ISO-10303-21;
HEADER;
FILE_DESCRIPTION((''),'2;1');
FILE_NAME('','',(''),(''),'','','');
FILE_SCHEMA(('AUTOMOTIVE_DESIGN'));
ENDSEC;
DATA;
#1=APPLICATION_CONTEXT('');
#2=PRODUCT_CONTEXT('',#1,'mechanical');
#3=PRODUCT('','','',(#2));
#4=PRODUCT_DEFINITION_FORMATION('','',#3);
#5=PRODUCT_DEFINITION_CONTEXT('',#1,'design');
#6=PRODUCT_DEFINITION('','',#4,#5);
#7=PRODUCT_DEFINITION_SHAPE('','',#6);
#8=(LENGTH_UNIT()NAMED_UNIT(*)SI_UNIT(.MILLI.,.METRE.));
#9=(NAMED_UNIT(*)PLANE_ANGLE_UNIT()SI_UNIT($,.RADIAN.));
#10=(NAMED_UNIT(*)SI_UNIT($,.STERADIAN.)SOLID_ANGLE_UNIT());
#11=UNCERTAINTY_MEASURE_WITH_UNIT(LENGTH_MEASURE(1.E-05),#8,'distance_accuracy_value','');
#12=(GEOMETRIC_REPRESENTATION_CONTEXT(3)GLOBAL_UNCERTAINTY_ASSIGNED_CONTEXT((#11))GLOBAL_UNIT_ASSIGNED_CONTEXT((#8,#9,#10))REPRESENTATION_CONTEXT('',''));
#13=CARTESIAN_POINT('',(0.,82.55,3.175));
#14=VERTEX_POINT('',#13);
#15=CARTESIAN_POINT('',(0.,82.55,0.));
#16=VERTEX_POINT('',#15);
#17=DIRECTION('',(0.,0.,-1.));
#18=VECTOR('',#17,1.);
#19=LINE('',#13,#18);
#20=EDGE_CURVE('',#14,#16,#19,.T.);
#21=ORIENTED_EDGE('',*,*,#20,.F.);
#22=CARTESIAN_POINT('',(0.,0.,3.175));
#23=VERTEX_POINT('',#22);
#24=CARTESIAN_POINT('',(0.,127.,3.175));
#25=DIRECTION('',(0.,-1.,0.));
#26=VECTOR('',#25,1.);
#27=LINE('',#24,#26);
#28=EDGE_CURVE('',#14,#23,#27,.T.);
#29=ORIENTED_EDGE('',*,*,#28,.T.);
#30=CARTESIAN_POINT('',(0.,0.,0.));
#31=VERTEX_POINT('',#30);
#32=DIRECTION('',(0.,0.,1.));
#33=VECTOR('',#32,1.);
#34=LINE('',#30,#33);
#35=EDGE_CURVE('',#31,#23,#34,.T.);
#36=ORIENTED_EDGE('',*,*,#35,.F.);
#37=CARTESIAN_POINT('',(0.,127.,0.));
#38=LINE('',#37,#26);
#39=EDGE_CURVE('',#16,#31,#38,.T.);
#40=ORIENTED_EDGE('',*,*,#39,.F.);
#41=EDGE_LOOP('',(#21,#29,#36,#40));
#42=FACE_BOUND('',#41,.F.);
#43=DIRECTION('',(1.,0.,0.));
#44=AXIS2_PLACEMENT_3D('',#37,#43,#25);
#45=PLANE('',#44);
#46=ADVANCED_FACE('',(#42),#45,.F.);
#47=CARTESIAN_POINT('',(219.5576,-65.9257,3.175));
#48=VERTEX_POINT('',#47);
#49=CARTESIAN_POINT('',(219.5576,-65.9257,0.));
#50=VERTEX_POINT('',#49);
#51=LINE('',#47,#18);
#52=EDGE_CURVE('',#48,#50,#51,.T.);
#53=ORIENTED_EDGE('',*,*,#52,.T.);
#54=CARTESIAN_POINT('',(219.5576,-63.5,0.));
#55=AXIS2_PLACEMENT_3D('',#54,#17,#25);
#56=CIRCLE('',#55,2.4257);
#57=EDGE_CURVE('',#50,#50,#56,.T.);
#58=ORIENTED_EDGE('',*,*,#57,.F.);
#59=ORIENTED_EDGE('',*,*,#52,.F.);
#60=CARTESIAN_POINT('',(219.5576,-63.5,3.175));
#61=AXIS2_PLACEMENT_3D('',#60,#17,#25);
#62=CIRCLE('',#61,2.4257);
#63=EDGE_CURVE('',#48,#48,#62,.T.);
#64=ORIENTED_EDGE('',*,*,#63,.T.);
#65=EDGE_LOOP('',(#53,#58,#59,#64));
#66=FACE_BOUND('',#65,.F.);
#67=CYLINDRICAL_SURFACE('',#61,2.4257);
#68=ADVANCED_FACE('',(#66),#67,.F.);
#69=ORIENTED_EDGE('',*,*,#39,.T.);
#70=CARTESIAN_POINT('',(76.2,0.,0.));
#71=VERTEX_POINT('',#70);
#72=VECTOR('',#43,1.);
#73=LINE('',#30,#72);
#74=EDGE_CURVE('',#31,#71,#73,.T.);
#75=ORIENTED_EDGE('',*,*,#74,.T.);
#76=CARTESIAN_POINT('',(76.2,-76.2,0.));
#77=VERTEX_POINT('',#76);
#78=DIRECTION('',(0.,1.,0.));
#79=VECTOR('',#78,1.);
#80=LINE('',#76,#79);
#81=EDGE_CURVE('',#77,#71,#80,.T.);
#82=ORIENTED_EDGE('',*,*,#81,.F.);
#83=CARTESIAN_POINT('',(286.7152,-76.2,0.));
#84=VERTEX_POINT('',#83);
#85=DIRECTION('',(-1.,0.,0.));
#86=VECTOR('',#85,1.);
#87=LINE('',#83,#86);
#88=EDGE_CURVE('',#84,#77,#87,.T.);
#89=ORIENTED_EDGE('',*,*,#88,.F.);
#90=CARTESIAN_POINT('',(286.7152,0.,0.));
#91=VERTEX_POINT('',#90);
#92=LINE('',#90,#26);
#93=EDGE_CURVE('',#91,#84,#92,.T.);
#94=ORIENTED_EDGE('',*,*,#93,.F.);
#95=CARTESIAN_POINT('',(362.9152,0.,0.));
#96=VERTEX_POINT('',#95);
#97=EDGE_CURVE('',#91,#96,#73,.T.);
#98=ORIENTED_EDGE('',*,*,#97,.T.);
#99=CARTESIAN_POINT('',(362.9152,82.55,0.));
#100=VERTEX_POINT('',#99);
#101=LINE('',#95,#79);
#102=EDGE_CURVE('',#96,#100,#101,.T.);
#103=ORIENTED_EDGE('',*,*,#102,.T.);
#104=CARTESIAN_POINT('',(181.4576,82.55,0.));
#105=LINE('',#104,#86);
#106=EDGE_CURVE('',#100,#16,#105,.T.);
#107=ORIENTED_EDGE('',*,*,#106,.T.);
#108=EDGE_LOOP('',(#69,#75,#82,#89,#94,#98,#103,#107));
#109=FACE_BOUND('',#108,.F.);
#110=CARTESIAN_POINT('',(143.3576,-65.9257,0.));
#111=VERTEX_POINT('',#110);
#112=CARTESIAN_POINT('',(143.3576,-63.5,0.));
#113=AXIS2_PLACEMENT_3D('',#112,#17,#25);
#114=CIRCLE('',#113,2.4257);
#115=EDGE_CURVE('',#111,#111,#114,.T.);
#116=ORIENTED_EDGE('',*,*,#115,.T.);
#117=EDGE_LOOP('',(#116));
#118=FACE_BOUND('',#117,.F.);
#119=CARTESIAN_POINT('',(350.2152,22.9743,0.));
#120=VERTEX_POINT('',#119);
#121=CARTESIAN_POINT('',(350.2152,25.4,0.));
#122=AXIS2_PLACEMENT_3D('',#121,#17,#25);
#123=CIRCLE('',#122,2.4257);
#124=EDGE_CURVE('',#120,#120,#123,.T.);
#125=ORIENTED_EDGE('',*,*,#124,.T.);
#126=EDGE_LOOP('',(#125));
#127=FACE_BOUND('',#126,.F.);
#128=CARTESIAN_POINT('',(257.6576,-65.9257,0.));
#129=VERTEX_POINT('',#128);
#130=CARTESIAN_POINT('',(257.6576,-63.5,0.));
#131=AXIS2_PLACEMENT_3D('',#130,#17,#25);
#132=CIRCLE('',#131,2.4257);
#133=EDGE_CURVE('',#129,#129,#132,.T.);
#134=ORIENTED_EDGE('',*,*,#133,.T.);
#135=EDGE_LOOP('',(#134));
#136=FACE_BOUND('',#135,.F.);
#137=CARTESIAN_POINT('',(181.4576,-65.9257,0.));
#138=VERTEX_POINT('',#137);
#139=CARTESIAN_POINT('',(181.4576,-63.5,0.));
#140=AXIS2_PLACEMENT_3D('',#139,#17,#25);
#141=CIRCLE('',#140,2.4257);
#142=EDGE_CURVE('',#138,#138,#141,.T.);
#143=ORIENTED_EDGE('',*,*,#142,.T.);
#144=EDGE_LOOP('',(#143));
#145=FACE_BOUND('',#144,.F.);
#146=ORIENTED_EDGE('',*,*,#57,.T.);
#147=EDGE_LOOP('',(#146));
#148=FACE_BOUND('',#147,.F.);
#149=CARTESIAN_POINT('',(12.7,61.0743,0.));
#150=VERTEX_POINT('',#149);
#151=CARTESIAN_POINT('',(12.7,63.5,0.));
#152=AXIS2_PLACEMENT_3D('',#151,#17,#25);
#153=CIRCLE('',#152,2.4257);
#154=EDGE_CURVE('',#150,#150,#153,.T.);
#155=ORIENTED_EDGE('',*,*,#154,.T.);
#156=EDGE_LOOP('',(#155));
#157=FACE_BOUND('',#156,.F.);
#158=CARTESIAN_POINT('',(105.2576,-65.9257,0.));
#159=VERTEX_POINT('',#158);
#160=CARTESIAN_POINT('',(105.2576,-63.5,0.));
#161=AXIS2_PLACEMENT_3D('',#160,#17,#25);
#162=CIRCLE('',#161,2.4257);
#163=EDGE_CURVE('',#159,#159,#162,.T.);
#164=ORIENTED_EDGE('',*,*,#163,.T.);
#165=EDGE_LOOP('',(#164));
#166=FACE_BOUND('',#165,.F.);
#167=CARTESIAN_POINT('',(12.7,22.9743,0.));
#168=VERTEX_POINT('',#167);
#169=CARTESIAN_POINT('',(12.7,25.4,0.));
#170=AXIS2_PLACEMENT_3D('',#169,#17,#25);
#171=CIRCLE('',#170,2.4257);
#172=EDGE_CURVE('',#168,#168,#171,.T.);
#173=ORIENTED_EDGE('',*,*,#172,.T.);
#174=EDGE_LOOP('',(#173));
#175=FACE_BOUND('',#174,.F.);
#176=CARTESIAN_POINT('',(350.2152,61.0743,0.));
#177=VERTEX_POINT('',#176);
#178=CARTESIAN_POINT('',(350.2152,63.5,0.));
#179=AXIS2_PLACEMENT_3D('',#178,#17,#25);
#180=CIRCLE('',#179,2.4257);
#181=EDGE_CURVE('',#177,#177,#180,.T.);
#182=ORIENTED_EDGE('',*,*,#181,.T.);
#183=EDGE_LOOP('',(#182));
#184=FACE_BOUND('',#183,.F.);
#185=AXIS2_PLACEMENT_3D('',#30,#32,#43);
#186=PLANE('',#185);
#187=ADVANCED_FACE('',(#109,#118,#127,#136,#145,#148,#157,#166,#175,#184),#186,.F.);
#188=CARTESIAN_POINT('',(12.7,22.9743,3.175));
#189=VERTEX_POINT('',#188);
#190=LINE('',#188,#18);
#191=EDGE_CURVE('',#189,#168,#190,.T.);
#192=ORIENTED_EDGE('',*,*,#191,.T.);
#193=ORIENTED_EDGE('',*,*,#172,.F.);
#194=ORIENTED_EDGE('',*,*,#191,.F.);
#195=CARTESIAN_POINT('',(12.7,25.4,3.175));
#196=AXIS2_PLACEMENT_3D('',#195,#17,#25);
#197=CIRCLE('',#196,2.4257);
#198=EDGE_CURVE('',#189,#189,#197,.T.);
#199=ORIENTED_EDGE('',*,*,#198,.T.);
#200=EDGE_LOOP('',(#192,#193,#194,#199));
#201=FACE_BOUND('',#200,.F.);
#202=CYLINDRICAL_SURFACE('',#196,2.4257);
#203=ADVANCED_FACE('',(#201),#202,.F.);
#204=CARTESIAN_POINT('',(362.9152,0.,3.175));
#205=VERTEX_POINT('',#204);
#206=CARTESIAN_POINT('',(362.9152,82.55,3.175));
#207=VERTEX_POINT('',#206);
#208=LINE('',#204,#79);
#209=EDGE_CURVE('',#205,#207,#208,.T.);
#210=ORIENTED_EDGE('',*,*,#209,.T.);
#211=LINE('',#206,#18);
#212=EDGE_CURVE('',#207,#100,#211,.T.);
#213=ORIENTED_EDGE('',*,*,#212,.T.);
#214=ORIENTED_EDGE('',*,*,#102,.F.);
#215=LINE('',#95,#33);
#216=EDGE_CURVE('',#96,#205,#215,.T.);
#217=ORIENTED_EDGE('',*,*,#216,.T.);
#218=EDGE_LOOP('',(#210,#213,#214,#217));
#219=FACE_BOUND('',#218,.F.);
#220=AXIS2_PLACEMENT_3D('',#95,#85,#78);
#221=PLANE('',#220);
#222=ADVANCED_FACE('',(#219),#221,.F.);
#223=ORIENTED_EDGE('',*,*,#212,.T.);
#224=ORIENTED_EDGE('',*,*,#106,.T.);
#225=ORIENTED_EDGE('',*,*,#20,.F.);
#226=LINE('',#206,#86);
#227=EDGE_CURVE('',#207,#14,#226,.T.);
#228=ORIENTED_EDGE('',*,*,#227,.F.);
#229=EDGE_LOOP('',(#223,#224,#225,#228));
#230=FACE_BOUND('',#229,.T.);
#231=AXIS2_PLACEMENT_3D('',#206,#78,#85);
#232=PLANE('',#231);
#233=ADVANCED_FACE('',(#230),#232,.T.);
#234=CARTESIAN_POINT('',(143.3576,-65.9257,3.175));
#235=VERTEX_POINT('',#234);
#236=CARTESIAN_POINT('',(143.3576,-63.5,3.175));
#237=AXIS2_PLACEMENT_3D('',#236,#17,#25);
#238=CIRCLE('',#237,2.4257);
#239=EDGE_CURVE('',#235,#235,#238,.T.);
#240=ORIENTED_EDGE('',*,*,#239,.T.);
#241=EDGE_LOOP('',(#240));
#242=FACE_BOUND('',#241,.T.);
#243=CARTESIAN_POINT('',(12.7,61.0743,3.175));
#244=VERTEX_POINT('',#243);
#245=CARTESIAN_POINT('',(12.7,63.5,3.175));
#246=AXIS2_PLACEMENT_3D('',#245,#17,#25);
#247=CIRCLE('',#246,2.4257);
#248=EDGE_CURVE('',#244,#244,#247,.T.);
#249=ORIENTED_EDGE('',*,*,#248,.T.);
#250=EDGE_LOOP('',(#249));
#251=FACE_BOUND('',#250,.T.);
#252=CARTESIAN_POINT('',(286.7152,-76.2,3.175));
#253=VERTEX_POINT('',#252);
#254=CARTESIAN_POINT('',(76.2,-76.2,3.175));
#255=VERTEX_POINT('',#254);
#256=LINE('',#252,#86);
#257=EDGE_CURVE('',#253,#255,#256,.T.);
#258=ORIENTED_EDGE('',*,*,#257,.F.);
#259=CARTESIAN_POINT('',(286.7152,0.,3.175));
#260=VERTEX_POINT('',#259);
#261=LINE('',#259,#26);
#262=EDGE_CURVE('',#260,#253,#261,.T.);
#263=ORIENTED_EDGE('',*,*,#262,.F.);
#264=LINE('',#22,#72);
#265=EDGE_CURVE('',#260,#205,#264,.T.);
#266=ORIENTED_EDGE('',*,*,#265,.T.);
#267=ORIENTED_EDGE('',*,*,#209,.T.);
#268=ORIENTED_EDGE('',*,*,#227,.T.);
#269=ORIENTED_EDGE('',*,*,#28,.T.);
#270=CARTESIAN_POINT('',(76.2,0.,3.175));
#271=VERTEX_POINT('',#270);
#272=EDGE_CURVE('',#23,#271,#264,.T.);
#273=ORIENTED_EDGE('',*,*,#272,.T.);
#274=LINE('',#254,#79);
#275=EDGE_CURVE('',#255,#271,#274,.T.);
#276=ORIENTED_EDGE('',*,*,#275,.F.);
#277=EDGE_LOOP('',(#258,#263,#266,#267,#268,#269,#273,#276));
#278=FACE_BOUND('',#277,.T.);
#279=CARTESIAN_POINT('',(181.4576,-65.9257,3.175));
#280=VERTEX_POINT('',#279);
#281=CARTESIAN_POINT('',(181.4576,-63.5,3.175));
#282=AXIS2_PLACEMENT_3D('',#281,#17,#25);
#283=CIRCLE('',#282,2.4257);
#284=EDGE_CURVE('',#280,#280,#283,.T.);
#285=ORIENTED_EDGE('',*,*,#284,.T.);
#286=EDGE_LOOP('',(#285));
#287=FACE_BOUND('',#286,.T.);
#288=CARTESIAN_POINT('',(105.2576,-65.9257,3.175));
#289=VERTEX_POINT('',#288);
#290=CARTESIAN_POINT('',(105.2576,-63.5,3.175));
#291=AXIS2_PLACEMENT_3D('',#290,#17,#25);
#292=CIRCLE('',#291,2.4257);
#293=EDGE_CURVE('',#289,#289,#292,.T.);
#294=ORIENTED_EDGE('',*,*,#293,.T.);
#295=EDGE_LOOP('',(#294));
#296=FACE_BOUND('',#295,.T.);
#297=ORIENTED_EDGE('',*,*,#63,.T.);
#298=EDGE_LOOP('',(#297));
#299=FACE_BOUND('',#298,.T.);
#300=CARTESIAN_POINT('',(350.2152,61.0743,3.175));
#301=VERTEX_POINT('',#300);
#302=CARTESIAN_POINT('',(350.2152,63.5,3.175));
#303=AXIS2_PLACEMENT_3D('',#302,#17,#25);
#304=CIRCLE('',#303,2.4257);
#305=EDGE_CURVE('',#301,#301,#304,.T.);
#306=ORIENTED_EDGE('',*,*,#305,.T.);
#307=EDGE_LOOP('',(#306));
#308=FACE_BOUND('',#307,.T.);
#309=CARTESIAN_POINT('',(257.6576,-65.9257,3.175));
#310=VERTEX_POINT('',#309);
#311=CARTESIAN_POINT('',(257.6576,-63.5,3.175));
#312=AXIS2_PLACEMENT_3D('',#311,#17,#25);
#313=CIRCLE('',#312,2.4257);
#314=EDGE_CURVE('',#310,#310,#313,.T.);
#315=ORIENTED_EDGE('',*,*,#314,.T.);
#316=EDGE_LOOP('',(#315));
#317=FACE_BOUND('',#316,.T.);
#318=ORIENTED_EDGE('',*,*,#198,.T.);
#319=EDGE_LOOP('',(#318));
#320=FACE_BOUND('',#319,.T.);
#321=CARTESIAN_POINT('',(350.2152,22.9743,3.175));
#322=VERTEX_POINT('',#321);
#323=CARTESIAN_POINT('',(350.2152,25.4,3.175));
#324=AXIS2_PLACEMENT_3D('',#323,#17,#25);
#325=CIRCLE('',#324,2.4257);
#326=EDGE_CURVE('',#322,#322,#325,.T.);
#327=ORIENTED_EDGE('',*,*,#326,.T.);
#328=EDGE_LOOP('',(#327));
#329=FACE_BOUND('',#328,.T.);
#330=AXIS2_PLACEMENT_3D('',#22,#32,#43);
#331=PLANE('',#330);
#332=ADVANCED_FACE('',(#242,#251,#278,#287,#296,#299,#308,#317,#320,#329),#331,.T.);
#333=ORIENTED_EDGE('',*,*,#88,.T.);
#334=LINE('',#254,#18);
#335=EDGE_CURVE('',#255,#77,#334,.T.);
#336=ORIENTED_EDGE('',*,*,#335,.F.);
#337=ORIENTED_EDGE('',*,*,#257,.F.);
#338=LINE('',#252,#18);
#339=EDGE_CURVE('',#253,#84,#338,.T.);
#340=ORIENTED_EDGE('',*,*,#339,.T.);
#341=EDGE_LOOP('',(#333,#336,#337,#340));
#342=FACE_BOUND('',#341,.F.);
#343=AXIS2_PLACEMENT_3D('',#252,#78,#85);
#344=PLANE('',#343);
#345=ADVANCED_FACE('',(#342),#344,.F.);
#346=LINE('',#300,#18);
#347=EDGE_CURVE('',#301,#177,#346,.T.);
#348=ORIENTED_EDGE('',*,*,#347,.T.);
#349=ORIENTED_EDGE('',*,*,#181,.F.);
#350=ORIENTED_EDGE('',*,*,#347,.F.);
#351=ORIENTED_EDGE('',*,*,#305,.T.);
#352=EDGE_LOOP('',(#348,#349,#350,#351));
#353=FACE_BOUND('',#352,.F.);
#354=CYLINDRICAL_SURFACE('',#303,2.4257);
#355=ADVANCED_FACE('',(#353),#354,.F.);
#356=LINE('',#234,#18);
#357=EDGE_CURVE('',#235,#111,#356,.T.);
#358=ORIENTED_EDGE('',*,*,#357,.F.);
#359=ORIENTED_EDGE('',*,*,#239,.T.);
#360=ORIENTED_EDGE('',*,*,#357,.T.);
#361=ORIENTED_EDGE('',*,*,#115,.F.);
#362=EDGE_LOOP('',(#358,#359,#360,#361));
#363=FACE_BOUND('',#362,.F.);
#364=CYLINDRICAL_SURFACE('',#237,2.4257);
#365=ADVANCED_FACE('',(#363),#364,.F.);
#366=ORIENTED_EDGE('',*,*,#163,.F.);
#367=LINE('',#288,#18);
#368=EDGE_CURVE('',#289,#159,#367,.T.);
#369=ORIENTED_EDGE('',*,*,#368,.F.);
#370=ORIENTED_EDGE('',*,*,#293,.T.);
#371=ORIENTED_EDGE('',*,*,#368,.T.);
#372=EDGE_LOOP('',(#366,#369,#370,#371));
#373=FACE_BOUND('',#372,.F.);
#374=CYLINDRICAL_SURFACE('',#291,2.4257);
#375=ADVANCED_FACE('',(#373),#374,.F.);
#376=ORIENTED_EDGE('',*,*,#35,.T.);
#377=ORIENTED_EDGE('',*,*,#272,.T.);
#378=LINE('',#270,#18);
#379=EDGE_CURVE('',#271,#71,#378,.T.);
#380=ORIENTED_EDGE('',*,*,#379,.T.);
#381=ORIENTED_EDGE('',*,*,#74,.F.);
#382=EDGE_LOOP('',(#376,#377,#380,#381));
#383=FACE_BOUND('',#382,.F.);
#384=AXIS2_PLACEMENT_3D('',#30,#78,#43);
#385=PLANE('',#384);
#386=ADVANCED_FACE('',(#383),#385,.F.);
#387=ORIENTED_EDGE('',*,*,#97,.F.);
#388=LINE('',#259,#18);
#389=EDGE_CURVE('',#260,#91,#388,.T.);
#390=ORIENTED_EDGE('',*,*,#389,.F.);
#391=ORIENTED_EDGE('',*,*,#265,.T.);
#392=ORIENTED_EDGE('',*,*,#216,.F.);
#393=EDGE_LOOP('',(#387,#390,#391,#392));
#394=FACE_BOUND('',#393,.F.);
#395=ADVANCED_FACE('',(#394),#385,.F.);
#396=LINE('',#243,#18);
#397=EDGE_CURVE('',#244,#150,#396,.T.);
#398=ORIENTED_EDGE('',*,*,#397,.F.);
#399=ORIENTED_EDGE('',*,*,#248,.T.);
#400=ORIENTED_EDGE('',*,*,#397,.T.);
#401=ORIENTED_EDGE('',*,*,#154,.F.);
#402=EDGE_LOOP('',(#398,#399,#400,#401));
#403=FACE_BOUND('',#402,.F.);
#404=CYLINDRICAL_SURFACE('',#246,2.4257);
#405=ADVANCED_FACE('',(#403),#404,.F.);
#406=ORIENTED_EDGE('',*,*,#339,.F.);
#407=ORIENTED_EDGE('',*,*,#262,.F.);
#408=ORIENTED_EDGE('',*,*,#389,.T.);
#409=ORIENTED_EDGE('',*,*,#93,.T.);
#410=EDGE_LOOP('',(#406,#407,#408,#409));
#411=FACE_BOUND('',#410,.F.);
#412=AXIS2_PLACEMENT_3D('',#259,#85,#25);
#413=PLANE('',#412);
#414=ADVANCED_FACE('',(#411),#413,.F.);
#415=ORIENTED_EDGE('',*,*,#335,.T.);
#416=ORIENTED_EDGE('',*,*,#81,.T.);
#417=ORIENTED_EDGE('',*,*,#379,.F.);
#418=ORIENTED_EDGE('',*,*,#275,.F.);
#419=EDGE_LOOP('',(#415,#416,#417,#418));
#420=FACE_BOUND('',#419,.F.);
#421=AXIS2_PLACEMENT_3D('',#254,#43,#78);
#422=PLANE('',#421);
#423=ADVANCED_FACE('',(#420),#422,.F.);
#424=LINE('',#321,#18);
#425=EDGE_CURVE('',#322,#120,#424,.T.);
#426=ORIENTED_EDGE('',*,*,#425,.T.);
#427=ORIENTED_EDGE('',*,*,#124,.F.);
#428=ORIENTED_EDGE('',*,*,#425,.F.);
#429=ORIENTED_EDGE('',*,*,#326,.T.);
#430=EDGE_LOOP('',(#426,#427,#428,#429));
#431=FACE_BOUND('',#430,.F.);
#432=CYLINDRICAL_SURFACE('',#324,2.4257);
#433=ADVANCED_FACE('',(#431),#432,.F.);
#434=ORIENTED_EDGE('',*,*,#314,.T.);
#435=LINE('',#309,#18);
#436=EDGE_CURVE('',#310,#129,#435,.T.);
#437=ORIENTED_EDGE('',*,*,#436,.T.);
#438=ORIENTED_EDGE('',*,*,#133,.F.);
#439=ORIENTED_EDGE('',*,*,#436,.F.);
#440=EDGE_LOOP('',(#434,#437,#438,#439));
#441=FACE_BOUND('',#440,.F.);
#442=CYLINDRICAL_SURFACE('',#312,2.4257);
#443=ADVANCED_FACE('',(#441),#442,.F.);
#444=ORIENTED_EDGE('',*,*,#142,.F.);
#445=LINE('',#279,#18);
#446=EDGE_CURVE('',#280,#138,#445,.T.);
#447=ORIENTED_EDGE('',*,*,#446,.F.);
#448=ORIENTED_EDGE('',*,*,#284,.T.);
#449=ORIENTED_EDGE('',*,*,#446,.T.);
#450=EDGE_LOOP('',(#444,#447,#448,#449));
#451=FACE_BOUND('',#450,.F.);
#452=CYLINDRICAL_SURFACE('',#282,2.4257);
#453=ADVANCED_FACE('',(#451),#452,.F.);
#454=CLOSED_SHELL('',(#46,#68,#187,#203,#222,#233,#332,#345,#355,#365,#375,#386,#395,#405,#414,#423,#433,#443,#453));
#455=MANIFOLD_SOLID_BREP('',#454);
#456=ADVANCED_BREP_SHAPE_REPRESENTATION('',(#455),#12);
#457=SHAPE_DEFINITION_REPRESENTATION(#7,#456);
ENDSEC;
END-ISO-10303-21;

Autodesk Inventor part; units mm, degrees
ref_plane "YZ Plane" through (0, 0, 0) normal (1, 0, 0) x (0, 1, 0)
ref_plane "XZ Plane" through (0, 0, 0) normal (0, 1, 0) x (-1, 0, 0)
ref_plane "XY Plane" through (0, 0, 0) normal (0, 0, 1) x (1, 0, 0)
sketch "Sketch1" plane through (0, 0, 0) normal (0, 0, 1) x (1, 0, 0)
  line L0 (0, 0) -> (362.9152, 0)
  line L1 (362.9152, 0) -> (362.9152, 127)
  line L2 (362.9152, 127) -> (0, 127)
  line L3 (0, 127) -> (0, 0)
  dimension "d0" = 362.9152
  dimension "d1" = 127
extrude "Extrusion1" add sketch "Sketch1" along normal blind 3.175
sketch "Sketch2" plane through (0, 0, 3.175) normal (0, 0, 1) x (1, 0, 0)
  line L0 (0, 127) -> (0, 0) projected
  line L1 (362.9152, 0) -> (362.9152, 127) projected
  line L2 (362.9152, 127) -> (0, 127) projected
  line L3 (0, 0) -> (362.9152, 0) projected
  point P0 (12.7, 25.4)
  point P1 (12.7, 63.5)
  point P2 (350.2152, 25.4)
  point P3 (350.2152, 63.5)
  point P4 (12.7, 101.6)
  point P5 (350.2152, 101.6)
  dimension "d4" = 12.7
  dimension "d5" = 12.7
  dimension "d6" = 12.7
  dimension "d7" = 12.7
  dimension "d8" = 12.7
  dimension "d9" = 12.7
  dimension "d10" = 25.4
  dimension "d11" = 25.4
  dimension "d12" = 38.1
hole "Hole1" at (12.7, 25.4, 3.175) at (12.7, 63.5, 3.175) at (350.2152, 25.4, 3.175) at (350.2152, 63.5, 3.175) at (12.7, 101.6, 3.175) at (350.2152, 101.6, 3.175) direction (0, 0, -1) diameter 4.8514 end through all
sketch "Sketch3" plane through (0, 0, 3.175) normal (0, 0, 1) x (1, 0, 0)
  line L0 (0, 127) -> (0, 0) projected
  line L1 (362.9152, 0) -> (362.9152, 127) projected
  line L2 (0, 127) -> (362.9152, 127)
  line L3 (362.9152, 127) -> (362.9152, 82.55)
  line L4 (362.9152, 82.55) -> (0, 82.55)
  line L5 (0, 82.55) -> (0, 127)
  line L6 (0, 0) -> (362.9152, 0) projected
  line L7 (91.1104, 0) -> (300.3978, 0)
  line L8 (300.3978, 0) -> (300.3978, -76.2)
  line L9 (300.3978, -76.2) -> (91.1104, -76.2)
  line L10 (91.1104, -76.2) -> (91.1104, 0)
  dimension "d20" = 76.2
  dimension "d21" = 44.45
extrude "Extrusion2" cut sketch "Sketch3" against normal blind 25.4 contours L2 L1 L4 L0
sketch "Sketch4" plane through (0, 0, 3.175) normal (0, 0, 1) x (1, 0, 0)
  line L0 (0, 0) -> (362.9152, 0) projected
  line L1 (76.2, 0) -> (286.7152, 0)
  line L2 (286.7152, 0) -> (286.7152, -76.2)
  line L3 (286.7152, -76.2) -> (76.2, -76.2)
  line L4 (76.2, -76.2) -> (76.2, 0)
  line L5 (0, 82.55) -> (0, 0) projected
  line L6 (362.9152, 0) -> (362.9152, 82.55) projected
  dimension "d24" = 76.2
  dimension "d25" = 76.2
  dimension "d26" = 76.2
extrude "Extrusion3" add sketch "Sketch4" against normal blind 3.175
sketch "Sketch5" plane through (0, 0, 3.175) normal (0, 0, 1) x (1, 0, 0)
  line L0 (286.7152, -76.2) -> (76.2, -76.2) projected
  line L1 (76.2, -76.2) -> (76.2, 0) projected
  point P0 (0, 0)
  point P1 (105.2576, -63.5)
  point P2 (143.3576, -63.5)
  point P3 (181.4576, -63.5)
  point P4 (219.5576, -63.5)
  point P5 (257.6576, -63.5)
  dimension "d29" = 38.1
  dimension "d30" = 38.1
  dimension "d31" = 38.1
  dimension "d32" = 38.1
  dimension "d33" = 12.7
  dimension "d34" = 29.0576
hole "Hole2" at (105.2576, -63.5, 3.175) at (143.3576, -63.5, 3.175) at (181.4576, -63.5, 3.175) at (219.5576, -63.5, 3.175) at (257.6576, -63.5, 3.175) direction (0, 0, -1) diameter 4.8514 end through all
properties part number "SUP_021_LexanShield"
